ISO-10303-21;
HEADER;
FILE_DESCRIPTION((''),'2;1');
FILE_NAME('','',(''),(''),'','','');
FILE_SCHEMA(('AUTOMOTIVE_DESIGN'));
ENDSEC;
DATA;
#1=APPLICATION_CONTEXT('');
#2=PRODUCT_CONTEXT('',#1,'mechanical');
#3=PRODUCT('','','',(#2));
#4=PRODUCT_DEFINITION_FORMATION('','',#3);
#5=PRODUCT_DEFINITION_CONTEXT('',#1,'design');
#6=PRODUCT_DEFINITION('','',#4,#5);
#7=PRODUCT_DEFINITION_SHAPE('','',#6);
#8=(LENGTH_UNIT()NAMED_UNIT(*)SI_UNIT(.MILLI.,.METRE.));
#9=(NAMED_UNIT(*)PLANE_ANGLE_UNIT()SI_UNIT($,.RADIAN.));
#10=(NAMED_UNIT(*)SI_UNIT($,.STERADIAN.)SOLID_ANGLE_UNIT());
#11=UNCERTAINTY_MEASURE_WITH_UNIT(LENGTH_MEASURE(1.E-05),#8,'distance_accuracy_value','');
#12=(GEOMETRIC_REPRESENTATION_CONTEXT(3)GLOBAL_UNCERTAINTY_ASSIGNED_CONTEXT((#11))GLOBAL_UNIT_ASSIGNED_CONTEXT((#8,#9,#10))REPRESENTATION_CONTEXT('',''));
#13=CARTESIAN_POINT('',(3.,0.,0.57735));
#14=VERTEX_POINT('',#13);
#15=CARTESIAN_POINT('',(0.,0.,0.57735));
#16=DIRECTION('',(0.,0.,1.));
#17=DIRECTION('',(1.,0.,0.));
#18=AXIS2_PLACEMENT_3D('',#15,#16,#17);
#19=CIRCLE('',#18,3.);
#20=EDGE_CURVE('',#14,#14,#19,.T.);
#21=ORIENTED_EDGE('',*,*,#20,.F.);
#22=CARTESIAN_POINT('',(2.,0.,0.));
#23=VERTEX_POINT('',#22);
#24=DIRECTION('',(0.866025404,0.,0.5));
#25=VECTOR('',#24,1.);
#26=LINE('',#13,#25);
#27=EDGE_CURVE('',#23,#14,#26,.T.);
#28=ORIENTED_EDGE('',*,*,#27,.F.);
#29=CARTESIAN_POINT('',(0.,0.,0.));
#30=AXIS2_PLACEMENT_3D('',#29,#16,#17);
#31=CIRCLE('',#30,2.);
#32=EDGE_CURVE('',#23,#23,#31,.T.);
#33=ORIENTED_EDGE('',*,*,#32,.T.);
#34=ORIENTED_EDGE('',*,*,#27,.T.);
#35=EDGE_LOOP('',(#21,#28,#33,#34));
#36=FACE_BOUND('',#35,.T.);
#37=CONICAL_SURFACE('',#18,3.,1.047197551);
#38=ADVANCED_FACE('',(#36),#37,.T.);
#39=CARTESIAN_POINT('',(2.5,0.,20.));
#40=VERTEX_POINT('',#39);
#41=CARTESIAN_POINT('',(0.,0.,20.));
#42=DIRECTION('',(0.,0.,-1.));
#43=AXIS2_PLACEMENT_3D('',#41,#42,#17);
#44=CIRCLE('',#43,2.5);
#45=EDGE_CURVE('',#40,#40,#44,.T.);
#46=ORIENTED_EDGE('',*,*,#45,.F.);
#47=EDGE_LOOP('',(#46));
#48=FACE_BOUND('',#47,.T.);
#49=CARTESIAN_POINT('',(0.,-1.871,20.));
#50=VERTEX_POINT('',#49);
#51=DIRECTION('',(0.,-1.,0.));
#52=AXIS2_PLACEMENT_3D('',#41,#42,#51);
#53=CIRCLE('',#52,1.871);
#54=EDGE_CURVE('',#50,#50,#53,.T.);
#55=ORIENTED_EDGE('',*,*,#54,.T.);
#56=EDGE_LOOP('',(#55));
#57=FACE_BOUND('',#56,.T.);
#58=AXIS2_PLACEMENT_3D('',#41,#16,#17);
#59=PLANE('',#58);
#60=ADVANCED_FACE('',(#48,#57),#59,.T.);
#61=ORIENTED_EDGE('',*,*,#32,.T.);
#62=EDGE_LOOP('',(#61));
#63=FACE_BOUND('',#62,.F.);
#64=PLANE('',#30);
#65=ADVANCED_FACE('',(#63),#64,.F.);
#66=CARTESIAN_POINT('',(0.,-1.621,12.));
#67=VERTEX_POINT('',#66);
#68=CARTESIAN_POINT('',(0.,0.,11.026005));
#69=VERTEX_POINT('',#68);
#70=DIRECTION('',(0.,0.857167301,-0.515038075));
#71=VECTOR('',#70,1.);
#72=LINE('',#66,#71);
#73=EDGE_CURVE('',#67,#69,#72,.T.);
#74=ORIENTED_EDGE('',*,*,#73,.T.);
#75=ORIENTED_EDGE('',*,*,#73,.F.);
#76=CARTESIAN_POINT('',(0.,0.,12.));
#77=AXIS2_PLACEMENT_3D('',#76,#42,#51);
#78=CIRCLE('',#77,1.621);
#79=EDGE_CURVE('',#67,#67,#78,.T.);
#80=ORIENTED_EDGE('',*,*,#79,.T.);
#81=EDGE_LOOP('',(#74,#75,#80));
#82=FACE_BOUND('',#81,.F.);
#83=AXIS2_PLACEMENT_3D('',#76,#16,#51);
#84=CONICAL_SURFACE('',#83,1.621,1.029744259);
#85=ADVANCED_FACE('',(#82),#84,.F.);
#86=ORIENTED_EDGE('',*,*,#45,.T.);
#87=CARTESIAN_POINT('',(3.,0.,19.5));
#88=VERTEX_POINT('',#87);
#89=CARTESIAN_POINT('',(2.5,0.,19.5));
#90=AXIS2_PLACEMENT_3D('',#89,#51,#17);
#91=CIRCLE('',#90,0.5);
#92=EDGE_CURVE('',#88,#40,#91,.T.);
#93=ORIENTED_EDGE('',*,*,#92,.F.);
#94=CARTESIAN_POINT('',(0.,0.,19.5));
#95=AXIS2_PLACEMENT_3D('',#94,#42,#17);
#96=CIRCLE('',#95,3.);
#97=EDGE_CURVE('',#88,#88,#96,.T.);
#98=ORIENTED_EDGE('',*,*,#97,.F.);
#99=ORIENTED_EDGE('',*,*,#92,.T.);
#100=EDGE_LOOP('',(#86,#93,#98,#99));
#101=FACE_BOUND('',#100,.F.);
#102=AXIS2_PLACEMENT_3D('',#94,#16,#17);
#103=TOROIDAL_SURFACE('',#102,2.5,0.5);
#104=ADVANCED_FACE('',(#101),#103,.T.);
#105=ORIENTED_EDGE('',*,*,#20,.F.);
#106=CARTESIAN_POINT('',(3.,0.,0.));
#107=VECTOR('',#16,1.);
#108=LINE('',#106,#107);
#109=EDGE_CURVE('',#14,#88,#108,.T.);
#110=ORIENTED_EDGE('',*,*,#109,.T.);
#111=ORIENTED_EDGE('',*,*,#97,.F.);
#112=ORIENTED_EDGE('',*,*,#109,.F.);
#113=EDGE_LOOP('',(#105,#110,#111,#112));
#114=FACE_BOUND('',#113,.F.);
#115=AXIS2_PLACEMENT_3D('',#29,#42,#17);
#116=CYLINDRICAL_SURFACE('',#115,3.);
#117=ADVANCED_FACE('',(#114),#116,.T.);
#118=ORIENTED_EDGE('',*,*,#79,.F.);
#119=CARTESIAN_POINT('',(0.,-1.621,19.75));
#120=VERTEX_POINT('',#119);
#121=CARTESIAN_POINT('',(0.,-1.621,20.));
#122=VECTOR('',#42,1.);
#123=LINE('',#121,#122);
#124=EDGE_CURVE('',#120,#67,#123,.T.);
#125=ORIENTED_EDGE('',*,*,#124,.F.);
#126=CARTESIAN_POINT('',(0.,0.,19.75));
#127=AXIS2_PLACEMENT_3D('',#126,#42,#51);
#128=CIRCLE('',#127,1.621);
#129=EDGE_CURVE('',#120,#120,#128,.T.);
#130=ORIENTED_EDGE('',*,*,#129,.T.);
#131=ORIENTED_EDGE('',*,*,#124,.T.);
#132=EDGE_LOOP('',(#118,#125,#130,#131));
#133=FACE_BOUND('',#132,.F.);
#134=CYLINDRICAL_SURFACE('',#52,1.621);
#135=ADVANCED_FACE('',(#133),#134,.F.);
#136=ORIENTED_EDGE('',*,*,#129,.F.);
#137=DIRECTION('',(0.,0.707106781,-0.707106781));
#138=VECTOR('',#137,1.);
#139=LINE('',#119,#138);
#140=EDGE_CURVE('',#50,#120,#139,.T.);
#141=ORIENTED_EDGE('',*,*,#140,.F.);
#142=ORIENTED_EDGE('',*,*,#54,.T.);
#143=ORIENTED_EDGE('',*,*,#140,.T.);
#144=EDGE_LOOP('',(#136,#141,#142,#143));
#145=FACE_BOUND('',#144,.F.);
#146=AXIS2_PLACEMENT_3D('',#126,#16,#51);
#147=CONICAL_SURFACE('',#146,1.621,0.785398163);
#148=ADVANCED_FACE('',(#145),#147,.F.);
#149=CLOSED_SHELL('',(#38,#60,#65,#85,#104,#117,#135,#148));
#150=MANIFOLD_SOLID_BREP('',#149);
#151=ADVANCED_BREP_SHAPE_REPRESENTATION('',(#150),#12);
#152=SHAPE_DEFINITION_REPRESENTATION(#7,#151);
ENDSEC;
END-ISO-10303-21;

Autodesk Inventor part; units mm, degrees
ref_plane "YZ Plane" through (0, 0, 0) normal (1, 0, 0) x (0, 1, 0)
ref_plane "XZ Plane" through (0, 0, 0) normal (0, 1, 0) x (-1, 0, 0)
ref_plane "XY Plane" through (0, 0, 0) normal (0, 0, 1) x (1, 0, 0)
sketch "Sketch1" plane through (0, 0, 0) normal (0, 0, 1) x (1, 0, 0)
  line L0 (0, 4.2) -> (0, -4.2) projected
  line L1 (-4.2, 0) -> (4.2, 0) projected
  circle A0 centre (0, 0) radius 3
  dimension "d0" = 6
extrude "Extrusion1" add sketch "Sketch1" along normal blind 20
chamfer "Chamfer1" distance 1 angle 30 1 edges at (-3, 0, 0) measured on face at (-0.5351, 1.0949, 0)
fillet "Fillet1" radius 0.5 1 edges at (-3, 0, 20)
sketch "Sketch2" plane through (0, 0, 20) normal (0, 0, 1) x (1, 0, 0)
  circle A0 centre (0, 0) radius 2.5 projected
hole "Hole1" at (0, 0, 20) direction (0, 0, -1) diameter 3.242 depth 8 tip angle 118 thread size "M4x0.7" class "6H" standard "ANSI Metric M Profile"
chamfer "Chamfer2" distance 0.25 angle 45 1 edges at (0, 1.621, 20)
properties part number "PIN, DOWEL, PULL, 6MMODX20MM" material "Steel, 4140, Carb & Case Harden 58-60 Rc, 0.06 Dp Case"
